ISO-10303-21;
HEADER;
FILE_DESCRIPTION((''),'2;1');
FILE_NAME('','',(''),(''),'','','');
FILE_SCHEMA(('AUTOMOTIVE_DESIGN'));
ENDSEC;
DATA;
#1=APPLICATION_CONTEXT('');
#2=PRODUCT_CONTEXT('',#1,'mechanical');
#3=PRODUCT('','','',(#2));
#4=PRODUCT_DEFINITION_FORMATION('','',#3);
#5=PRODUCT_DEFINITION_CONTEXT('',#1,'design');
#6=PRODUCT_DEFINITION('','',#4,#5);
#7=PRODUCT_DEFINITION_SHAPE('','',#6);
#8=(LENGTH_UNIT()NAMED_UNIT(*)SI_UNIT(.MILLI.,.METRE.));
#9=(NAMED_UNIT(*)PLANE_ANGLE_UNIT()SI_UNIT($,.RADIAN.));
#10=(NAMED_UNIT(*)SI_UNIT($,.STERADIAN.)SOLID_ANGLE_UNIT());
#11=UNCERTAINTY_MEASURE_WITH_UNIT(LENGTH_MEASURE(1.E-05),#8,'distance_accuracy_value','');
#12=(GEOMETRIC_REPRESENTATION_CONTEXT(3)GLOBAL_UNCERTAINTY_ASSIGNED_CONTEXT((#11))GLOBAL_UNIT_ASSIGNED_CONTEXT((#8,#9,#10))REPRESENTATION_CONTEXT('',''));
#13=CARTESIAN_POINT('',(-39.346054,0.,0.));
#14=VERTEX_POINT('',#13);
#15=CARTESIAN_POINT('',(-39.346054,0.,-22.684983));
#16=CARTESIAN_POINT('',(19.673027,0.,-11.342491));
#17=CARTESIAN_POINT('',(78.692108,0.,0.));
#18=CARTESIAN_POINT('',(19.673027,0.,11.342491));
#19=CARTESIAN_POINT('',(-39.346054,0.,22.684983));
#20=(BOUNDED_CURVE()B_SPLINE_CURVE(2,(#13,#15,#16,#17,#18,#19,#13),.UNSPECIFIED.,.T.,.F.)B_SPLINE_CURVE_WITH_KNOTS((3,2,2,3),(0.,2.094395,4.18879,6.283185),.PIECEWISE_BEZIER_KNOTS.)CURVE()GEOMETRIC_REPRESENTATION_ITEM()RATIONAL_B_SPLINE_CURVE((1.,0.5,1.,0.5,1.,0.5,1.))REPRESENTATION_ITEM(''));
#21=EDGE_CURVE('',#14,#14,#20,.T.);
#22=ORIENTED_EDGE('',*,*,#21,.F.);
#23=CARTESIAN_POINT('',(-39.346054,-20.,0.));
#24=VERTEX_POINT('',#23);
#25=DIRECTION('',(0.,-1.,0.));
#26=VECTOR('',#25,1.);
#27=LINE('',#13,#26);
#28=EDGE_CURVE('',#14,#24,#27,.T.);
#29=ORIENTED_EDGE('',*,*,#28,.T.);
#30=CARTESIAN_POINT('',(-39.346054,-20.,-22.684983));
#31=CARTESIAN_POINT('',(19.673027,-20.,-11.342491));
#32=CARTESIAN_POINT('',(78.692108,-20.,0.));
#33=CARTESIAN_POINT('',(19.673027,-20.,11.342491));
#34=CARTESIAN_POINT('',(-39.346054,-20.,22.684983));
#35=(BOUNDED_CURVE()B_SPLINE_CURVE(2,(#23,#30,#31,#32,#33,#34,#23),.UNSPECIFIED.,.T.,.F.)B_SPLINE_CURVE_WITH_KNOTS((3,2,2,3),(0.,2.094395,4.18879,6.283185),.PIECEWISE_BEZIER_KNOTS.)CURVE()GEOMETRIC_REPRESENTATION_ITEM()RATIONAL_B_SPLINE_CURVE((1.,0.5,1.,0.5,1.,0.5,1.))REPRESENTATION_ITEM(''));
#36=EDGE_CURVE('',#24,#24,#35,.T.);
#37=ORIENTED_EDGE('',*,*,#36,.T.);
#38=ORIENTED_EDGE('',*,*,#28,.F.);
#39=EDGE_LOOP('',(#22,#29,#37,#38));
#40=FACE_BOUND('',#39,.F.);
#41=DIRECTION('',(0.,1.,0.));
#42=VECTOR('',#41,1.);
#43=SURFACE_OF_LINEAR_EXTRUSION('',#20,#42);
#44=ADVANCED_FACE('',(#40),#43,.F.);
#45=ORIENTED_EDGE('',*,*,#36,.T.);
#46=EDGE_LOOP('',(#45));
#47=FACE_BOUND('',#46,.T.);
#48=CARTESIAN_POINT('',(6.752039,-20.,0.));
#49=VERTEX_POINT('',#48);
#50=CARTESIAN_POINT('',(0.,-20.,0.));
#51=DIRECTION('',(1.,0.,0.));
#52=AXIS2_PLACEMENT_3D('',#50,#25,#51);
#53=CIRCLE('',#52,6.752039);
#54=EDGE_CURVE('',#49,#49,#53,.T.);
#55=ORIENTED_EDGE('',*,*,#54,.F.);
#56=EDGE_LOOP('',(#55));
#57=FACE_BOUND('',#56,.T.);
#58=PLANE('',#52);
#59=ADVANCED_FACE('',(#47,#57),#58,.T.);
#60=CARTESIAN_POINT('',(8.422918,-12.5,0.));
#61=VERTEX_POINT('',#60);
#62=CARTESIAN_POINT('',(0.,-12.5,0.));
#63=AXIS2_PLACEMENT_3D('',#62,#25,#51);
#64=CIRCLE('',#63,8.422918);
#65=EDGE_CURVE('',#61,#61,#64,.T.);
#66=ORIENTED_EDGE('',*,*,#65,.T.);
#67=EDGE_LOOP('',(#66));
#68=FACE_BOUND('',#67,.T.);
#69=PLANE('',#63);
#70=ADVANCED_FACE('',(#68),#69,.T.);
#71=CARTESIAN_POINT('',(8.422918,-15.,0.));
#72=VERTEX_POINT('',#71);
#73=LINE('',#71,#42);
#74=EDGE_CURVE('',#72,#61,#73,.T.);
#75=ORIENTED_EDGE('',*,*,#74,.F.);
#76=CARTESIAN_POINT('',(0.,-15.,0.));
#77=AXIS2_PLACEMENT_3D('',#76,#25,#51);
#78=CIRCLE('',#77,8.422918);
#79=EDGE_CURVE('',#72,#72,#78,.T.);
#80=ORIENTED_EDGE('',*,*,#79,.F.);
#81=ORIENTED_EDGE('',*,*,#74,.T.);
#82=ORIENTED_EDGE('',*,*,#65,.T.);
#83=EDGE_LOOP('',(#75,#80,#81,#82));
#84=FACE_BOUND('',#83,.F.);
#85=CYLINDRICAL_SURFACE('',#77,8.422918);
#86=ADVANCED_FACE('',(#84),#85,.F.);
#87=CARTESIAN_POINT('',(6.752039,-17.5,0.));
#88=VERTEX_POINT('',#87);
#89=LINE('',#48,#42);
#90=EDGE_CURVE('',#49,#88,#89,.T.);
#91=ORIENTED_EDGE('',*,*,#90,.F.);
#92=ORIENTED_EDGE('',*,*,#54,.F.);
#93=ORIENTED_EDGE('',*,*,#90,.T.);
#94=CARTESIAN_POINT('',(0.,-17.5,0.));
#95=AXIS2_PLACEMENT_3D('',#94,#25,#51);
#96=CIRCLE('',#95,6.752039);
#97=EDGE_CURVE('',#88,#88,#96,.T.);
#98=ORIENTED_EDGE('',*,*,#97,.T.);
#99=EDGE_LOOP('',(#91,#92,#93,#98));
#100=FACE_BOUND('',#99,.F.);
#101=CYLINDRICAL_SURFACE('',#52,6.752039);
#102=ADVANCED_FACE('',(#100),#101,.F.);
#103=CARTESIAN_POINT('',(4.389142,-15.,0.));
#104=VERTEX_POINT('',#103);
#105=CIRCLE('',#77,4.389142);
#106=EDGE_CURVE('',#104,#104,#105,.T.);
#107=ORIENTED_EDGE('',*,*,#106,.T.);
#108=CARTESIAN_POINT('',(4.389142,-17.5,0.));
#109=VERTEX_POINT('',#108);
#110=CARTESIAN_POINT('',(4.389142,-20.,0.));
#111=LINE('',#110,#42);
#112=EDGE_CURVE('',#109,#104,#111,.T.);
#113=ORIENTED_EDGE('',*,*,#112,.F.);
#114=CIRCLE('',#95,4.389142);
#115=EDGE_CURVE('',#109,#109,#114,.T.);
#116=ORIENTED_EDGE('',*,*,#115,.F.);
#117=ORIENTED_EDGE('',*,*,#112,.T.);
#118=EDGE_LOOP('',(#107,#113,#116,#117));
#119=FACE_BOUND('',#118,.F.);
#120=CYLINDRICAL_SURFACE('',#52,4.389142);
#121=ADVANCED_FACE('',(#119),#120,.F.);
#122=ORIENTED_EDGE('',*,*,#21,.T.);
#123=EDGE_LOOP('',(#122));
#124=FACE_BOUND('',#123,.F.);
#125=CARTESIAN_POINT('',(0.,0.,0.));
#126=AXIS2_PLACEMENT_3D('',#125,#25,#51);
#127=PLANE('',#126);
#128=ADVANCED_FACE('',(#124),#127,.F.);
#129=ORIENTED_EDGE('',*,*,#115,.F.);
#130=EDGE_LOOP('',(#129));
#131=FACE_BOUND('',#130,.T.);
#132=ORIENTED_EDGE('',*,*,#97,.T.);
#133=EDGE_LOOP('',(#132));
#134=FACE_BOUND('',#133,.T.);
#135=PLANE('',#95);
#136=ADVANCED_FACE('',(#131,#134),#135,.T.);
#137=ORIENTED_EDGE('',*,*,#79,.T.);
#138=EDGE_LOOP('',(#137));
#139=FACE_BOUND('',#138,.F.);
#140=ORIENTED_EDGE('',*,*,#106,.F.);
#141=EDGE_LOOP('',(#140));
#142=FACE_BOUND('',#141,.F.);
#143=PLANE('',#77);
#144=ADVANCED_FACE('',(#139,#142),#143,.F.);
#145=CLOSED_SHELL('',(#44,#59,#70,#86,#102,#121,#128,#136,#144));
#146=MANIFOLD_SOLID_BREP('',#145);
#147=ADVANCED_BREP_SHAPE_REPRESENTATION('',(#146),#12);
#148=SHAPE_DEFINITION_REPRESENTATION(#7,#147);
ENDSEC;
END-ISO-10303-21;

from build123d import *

# Parameters (mm, degrees)
F1_DEPTH = 20
F2_R     = 4.389142
F3_DEPTH = 5
F4_R     = 8.422918
F5_DEPTH = 2.5
F6_R     = 6.752039
F7_DEPTH = 2.5


with BuildPart() as f1:
    # F0 (on Front) → F1 (new body)
    with BuildSketch(Plane.XZ):
        with BuildLine():
            add(Edge.make_bspline(
                [(-39.346054, 0), (-39.346054, -22.684983), (19.673027, -11.342491), (78.692108, 0), (19.673027, 11.342491), (-39.346054, 22.684983), (-39.346054, 0)],
                knots=[0, 0, 0, 2.094395, 2.094395, 4.18879, 4.18879, 6.283185, 6.283185, 6.283185], degree=2, weights=[1, 0.5, 1, 0.5, 1, 0.5, 1]))
        make_face()
    extrude(amount=F1_DEPTH)

    # F2 (on face) → F3 (cut)
    with BuildSketch(Plane.XZ.offset(20)):
        Circle(F2_R)
    extrude(amount=-F3_DEPTH, mode=Mode.SUBTRACT)

    # F4 (on face) → F5 (cut)
    with BuildSketch(Plane.XZ.offset(15)):
        Circle(F4_R)
    extrude(amount=-F5_DEPTH, mode=Mode.SUBTRACT)

    # F6 (on face) → F7 (cut)
    with BuildSketch(Plane.XZ.offset(20)):
        Circle(F6_R)
    extrude(amount=-F7_DEPTH, mode=Mode.SUBTRACT)


solid = f1.part
